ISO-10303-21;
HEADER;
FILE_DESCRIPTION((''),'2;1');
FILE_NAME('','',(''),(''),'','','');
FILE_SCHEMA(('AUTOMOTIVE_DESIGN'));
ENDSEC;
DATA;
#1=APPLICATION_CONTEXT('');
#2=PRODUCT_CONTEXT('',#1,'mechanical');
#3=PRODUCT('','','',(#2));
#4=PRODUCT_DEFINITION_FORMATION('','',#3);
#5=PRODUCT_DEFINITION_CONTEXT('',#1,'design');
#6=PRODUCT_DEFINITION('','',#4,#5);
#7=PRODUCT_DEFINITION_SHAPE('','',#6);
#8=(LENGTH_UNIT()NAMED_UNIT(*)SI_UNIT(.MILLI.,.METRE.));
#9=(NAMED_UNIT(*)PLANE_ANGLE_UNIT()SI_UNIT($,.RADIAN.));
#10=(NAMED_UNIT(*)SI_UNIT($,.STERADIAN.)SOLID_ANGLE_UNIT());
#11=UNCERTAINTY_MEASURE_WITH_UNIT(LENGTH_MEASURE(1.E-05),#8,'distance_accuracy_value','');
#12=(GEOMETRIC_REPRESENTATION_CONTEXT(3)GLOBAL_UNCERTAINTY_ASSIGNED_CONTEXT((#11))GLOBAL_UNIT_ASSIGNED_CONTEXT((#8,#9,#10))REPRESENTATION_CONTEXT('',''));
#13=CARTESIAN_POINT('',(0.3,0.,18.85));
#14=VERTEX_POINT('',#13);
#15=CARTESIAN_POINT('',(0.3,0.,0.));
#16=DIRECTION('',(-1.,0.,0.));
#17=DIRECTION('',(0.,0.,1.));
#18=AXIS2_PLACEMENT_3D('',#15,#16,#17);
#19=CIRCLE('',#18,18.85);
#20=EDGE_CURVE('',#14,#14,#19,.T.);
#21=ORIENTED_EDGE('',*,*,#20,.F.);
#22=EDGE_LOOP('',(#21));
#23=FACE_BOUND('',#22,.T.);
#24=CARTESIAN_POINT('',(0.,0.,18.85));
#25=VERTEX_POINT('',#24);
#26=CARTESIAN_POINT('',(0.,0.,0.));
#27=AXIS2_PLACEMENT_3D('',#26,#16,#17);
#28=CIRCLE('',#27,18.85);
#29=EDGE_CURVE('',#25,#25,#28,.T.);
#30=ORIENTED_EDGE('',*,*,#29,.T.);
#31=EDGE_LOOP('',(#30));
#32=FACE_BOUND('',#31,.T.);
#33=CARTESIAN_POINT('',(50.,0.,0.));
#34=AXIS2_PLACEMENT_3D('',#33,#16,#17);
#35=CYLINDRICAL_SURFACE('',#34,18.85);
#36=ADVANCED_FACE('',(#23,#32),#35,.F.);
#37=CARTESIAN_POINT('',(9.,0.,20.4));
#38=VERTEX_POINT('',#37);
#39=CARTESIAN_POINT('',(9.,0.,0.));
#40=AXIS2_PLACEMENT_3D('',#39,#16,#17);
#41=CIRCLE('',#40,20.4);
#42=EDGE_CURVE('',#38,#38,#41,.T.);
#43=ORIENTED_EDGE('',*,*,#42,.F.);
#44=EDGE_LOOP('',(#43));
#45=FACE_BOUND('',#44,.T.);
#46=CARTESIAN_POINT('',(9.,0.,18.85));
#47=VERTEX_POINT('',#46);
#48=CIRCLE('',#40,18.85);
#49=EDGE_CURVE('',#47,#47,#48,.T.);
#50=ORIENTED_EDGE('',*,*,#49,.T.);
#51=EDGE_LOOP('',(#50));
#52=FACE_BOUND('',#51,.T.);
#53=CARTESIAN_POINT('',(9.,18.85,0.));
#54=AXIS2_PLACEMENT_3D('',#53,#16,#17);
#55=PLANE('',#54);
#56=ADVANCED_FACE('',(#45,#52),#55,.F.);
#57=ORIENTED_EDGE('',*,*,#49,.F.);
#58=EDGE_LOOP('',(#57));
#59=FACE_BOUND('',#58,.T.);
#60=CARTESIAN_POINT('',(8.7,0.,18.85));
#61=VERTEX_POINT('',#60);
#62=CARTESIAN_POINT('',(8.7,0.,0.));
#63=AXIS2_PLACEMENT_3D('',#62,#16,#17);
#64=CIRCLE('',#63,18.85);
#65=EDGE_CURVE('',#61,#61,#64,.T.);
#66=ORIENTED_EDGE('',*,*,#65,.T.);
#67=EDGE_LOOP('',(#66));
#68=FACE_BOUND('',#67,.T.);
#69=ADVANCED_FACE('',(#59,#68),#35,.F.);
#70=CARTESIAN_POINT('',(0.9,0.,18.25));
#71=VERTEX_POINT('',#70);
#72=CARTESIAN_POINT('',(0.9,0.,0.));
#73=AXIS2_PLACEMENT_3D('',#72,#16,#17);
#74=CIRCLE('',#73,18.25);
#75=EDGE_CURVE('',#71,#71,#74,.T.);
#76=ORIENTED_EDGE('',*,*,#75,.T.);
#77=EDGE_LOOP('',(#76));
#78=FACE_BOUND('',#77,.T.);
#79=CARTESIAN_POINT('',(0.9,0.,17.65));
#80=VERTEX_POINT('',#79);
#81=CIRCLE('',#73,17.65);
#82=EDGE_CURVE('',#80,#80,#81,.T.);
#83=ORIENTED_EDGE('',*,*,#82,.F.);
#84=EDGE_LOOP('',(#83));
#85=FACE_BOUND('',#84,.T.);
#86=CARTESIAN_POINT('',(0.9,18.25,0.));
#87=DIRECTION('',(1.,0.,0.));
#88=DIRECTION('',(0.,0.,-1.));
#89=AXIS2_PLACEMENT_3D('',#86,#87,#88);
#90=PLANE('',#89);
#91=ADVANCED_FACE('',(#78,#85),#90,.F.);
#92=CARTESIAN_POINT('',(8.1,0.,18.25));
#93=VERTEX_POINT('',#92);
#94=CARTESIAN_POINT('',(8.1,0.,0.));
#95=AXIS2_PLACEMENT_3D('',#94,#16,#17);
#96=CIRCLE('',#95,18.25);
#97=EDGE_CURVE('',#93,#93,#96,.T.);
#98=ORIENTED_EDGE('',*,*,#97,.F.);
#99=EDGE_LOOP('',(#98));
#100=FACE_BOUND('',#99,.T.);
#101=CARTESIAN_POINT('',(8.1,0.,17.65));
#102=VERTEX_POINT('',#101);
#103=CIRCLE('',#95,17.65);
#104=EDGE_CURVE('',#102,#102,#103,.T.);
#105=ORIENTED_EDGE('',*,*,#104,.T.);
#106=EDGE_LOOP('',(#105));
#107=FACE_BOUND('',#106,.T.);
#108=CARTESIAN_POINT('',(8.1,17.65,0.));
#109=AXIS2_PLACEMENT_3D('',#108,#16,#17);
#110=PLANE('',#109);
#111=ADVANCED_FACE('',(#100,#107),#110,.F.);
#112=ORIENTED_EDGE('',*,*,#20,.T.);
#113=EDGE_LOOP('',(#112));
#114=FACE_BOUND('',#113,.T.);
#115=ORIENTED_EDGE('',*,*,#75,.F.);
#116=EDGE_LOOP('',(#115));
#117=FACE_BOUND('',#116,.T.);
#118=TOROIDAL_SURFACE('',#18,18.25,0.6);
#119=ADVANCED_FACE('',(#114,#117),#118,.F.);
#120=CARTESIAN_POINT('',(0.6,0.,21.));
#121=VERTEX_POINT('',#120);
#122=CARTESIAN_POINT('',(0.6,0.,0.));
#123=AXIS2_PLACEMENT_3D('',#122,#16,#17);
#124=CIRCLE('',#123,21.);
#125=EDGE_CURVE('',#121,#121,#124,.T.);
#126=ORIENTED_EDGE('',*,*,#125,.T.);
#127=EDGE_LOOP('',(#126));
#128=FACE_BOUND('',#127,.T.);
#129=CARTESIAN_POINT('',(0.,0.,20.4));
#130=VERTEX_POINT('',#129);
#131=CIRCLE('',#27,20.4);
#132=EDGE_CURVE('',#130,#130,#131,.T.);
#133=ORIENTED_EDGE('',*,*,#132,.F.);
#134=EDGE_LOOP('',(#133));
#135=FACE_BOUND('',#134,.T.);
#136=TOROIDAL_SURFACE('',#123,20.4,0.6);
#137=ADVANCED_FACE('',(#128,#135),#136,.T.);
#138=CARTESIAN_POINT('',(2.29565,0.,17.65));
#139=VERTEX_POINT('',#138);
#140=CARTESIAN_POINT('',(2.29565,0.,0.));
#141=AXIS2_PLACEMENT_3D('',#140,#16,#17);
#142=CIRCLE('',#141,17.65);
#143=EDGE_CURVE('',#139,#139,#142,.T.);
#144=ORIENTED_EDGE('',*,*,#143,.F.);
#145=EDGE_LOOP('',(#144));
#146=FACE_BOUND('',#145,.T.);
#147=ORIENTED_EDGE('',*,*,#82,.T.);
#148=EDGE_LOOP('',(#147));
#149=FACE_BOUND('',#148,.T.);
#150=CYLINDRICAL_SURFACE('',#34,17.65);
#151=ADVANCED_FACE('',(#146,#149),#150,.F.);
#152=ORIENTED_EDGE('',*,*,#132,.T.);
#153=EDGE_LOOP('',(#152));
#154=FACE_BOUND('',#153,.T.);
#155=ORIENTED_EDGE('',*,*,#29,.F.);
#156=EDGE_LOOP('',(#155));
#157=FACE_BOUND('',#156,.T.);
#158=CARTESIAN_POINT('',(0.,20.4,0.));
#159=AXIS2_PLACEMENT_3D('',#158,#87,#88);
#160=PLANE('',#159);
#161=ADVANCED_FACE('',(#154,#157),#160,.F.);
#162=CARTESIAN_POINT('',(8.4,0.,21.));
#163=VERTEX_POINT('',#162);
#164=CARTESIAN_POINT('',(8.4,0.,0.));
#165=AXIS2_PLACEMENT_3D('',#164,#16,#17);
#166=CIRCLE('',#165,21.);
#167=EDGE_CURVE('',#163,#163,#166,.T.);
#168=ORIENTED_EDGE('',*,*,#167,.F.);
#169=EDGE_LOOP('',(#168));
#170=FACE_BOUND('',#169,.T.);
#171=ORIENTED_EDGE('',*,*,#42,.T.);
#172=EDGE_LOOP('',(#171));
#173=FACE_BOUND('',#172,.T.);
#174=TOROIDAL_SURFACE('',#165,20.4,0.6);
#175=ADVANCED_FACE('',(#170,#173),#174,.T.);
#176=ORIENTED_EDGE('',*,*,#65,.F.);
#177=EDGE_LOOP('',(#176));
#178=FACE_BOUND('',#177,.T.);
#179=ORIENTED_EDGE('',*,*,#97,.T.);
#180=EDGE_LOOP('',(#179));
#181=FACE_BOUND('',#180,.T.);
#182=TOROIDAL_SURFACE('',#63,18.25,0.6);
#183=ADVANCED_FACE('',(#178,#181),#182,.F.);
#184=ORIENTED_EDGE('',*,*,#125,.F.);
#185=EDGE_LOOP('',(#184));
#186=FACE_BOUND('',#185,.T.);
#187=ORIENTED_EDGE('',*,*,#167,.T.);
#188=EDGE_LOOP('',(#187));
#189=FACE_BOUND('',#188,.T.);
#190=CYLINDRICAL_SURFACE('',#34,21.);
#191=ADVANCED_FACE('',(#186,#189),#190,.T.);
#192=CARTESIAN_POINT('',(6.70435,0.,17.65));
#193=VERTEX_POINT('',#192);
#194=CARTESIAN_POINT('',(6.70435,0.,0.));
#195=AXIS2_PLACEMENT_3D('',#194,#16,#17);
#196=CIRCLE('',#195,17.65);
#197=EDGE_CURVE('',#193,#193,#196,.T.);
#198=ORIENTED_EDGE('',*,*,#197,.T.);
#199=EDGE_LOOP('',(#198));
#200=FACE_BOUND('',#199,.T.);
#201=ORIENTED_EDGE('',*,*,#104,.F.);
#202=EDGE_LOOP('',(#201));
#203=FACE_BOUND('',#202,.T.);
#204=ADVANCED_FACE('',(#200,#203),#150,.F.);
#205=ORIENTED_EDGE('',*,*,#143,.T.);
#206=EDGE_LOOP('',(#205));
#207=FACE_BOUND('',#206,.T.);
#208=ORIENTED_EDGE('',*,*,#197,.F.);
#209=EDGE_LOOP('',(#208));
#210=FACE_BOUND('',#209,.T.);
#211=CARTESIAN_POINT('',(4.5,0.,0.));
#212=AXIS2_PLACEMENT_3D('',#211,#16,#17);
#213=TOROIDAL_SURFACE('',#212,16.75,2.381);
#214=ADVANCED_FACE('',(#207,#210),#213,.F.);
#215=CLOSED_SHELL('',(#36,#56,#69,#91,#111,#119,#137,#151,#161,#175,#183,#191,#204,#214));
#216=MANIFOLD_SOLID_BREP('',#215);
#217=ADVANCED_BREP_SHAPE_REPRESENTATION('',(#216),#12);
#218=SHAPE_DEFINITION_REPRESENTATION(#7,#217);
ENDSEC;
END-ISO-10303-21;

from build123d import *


with BuildPart() as part:
    # Sketch1 → Revolve1 (revolve)
    with BuildSketch(Plane.XY, mode=Mode.PRIVATE) as revolve1_sk:
        with BuildLine():
            Line((0, 20.4), (0, 18.85))
            Line((0, 18.85), (0.3, 18.85))
            ThreePointArc((0.3, 18.85), (0.724264069, 18.674264069), (0.9, 18.25))
            Line((0.9, 18.25), (0.9, 17.65))
            Line((0.9, 17.65), (2.295649529, 17.65))
            ThreePointArc((2.295649529, 17.65), (4.5, 19.131), (6.704350471, 17.65))
            Line((6.704350471, 17.65), (8.1, 17.65))
            Line((8.1, 17.65), (8.1, 18.25))
            ThreePointArc((8.1, 18.25), (8.275735931, 18.674264069), (8.7, 18.85))
            Line((8.7, 18.85), (9, 18.85))
            Line((9, 18.85), (9, 20.4))
            ThreePointArc((9, 20.4), (8.824264069, 20.824264069), (8.4, 21))
            Line((8.4, 21), (0.6, 21))
            ThreePointArc((0.6, 21), (0.175735931, 20.824264069), (0, 20.4))
        make_face()
    revolve(revolve1_sk.sketch.rotate(Axis((50, 0, 0), (-1, 0, 0)), 270), axis=Axis((50, 0, 0), (-1, 0, 0)))

    # Sketch2 → Revolve2 (revolve)
    with BuildSketch(Plane.XY, mode=Mode.PRIVATE) as revolve2_sk:
        with BuildLine():
            Line((0, 20.4), (0, 18.85))
            Line((0, 18.85), (0.3, 18.85))
            ThreePointArc((0.3, 18.85), (0.724264069, 18.674264069), (0.9, 18.25))
            Line((0.9, 18.25), (0.9, 17.65))
            Line((0.9, 17.65), (2.295649529, 17.65))
            ThreePointArc((2.295649529, 17.65), (4.5, 19.131), (6.704350471, 17.65))
            Line((6.704350471, 17.65), (8.1, 17.65))
            Line((8.1, 17.65), (8.1, 18.25))
            ThreePointArc((8.1, 18.25), (8.275735931, 18.674264069), (8.7, 18.85))
            Line((8.7, 18.85), (9, 18.85))
            Line((9, 18.85), (9, 20.4))
            ThreePointArc((9, 20.4), (8.824264069, 20.824264069), (8.4, 21))
            Line((8.4, 21), (0.6, 21))
            ThreePointArc((0.6, 21), (0.175735931, 20.824264069), (0, 20.4))
        make_face()
    revolve(revolve2_sk.sketch.rotate(Axis((50, 0, 0), (-1, 0, 0)), 270), axis=Axis((50, 0, 0), (-1, 0, 0)))


solid = part.part
